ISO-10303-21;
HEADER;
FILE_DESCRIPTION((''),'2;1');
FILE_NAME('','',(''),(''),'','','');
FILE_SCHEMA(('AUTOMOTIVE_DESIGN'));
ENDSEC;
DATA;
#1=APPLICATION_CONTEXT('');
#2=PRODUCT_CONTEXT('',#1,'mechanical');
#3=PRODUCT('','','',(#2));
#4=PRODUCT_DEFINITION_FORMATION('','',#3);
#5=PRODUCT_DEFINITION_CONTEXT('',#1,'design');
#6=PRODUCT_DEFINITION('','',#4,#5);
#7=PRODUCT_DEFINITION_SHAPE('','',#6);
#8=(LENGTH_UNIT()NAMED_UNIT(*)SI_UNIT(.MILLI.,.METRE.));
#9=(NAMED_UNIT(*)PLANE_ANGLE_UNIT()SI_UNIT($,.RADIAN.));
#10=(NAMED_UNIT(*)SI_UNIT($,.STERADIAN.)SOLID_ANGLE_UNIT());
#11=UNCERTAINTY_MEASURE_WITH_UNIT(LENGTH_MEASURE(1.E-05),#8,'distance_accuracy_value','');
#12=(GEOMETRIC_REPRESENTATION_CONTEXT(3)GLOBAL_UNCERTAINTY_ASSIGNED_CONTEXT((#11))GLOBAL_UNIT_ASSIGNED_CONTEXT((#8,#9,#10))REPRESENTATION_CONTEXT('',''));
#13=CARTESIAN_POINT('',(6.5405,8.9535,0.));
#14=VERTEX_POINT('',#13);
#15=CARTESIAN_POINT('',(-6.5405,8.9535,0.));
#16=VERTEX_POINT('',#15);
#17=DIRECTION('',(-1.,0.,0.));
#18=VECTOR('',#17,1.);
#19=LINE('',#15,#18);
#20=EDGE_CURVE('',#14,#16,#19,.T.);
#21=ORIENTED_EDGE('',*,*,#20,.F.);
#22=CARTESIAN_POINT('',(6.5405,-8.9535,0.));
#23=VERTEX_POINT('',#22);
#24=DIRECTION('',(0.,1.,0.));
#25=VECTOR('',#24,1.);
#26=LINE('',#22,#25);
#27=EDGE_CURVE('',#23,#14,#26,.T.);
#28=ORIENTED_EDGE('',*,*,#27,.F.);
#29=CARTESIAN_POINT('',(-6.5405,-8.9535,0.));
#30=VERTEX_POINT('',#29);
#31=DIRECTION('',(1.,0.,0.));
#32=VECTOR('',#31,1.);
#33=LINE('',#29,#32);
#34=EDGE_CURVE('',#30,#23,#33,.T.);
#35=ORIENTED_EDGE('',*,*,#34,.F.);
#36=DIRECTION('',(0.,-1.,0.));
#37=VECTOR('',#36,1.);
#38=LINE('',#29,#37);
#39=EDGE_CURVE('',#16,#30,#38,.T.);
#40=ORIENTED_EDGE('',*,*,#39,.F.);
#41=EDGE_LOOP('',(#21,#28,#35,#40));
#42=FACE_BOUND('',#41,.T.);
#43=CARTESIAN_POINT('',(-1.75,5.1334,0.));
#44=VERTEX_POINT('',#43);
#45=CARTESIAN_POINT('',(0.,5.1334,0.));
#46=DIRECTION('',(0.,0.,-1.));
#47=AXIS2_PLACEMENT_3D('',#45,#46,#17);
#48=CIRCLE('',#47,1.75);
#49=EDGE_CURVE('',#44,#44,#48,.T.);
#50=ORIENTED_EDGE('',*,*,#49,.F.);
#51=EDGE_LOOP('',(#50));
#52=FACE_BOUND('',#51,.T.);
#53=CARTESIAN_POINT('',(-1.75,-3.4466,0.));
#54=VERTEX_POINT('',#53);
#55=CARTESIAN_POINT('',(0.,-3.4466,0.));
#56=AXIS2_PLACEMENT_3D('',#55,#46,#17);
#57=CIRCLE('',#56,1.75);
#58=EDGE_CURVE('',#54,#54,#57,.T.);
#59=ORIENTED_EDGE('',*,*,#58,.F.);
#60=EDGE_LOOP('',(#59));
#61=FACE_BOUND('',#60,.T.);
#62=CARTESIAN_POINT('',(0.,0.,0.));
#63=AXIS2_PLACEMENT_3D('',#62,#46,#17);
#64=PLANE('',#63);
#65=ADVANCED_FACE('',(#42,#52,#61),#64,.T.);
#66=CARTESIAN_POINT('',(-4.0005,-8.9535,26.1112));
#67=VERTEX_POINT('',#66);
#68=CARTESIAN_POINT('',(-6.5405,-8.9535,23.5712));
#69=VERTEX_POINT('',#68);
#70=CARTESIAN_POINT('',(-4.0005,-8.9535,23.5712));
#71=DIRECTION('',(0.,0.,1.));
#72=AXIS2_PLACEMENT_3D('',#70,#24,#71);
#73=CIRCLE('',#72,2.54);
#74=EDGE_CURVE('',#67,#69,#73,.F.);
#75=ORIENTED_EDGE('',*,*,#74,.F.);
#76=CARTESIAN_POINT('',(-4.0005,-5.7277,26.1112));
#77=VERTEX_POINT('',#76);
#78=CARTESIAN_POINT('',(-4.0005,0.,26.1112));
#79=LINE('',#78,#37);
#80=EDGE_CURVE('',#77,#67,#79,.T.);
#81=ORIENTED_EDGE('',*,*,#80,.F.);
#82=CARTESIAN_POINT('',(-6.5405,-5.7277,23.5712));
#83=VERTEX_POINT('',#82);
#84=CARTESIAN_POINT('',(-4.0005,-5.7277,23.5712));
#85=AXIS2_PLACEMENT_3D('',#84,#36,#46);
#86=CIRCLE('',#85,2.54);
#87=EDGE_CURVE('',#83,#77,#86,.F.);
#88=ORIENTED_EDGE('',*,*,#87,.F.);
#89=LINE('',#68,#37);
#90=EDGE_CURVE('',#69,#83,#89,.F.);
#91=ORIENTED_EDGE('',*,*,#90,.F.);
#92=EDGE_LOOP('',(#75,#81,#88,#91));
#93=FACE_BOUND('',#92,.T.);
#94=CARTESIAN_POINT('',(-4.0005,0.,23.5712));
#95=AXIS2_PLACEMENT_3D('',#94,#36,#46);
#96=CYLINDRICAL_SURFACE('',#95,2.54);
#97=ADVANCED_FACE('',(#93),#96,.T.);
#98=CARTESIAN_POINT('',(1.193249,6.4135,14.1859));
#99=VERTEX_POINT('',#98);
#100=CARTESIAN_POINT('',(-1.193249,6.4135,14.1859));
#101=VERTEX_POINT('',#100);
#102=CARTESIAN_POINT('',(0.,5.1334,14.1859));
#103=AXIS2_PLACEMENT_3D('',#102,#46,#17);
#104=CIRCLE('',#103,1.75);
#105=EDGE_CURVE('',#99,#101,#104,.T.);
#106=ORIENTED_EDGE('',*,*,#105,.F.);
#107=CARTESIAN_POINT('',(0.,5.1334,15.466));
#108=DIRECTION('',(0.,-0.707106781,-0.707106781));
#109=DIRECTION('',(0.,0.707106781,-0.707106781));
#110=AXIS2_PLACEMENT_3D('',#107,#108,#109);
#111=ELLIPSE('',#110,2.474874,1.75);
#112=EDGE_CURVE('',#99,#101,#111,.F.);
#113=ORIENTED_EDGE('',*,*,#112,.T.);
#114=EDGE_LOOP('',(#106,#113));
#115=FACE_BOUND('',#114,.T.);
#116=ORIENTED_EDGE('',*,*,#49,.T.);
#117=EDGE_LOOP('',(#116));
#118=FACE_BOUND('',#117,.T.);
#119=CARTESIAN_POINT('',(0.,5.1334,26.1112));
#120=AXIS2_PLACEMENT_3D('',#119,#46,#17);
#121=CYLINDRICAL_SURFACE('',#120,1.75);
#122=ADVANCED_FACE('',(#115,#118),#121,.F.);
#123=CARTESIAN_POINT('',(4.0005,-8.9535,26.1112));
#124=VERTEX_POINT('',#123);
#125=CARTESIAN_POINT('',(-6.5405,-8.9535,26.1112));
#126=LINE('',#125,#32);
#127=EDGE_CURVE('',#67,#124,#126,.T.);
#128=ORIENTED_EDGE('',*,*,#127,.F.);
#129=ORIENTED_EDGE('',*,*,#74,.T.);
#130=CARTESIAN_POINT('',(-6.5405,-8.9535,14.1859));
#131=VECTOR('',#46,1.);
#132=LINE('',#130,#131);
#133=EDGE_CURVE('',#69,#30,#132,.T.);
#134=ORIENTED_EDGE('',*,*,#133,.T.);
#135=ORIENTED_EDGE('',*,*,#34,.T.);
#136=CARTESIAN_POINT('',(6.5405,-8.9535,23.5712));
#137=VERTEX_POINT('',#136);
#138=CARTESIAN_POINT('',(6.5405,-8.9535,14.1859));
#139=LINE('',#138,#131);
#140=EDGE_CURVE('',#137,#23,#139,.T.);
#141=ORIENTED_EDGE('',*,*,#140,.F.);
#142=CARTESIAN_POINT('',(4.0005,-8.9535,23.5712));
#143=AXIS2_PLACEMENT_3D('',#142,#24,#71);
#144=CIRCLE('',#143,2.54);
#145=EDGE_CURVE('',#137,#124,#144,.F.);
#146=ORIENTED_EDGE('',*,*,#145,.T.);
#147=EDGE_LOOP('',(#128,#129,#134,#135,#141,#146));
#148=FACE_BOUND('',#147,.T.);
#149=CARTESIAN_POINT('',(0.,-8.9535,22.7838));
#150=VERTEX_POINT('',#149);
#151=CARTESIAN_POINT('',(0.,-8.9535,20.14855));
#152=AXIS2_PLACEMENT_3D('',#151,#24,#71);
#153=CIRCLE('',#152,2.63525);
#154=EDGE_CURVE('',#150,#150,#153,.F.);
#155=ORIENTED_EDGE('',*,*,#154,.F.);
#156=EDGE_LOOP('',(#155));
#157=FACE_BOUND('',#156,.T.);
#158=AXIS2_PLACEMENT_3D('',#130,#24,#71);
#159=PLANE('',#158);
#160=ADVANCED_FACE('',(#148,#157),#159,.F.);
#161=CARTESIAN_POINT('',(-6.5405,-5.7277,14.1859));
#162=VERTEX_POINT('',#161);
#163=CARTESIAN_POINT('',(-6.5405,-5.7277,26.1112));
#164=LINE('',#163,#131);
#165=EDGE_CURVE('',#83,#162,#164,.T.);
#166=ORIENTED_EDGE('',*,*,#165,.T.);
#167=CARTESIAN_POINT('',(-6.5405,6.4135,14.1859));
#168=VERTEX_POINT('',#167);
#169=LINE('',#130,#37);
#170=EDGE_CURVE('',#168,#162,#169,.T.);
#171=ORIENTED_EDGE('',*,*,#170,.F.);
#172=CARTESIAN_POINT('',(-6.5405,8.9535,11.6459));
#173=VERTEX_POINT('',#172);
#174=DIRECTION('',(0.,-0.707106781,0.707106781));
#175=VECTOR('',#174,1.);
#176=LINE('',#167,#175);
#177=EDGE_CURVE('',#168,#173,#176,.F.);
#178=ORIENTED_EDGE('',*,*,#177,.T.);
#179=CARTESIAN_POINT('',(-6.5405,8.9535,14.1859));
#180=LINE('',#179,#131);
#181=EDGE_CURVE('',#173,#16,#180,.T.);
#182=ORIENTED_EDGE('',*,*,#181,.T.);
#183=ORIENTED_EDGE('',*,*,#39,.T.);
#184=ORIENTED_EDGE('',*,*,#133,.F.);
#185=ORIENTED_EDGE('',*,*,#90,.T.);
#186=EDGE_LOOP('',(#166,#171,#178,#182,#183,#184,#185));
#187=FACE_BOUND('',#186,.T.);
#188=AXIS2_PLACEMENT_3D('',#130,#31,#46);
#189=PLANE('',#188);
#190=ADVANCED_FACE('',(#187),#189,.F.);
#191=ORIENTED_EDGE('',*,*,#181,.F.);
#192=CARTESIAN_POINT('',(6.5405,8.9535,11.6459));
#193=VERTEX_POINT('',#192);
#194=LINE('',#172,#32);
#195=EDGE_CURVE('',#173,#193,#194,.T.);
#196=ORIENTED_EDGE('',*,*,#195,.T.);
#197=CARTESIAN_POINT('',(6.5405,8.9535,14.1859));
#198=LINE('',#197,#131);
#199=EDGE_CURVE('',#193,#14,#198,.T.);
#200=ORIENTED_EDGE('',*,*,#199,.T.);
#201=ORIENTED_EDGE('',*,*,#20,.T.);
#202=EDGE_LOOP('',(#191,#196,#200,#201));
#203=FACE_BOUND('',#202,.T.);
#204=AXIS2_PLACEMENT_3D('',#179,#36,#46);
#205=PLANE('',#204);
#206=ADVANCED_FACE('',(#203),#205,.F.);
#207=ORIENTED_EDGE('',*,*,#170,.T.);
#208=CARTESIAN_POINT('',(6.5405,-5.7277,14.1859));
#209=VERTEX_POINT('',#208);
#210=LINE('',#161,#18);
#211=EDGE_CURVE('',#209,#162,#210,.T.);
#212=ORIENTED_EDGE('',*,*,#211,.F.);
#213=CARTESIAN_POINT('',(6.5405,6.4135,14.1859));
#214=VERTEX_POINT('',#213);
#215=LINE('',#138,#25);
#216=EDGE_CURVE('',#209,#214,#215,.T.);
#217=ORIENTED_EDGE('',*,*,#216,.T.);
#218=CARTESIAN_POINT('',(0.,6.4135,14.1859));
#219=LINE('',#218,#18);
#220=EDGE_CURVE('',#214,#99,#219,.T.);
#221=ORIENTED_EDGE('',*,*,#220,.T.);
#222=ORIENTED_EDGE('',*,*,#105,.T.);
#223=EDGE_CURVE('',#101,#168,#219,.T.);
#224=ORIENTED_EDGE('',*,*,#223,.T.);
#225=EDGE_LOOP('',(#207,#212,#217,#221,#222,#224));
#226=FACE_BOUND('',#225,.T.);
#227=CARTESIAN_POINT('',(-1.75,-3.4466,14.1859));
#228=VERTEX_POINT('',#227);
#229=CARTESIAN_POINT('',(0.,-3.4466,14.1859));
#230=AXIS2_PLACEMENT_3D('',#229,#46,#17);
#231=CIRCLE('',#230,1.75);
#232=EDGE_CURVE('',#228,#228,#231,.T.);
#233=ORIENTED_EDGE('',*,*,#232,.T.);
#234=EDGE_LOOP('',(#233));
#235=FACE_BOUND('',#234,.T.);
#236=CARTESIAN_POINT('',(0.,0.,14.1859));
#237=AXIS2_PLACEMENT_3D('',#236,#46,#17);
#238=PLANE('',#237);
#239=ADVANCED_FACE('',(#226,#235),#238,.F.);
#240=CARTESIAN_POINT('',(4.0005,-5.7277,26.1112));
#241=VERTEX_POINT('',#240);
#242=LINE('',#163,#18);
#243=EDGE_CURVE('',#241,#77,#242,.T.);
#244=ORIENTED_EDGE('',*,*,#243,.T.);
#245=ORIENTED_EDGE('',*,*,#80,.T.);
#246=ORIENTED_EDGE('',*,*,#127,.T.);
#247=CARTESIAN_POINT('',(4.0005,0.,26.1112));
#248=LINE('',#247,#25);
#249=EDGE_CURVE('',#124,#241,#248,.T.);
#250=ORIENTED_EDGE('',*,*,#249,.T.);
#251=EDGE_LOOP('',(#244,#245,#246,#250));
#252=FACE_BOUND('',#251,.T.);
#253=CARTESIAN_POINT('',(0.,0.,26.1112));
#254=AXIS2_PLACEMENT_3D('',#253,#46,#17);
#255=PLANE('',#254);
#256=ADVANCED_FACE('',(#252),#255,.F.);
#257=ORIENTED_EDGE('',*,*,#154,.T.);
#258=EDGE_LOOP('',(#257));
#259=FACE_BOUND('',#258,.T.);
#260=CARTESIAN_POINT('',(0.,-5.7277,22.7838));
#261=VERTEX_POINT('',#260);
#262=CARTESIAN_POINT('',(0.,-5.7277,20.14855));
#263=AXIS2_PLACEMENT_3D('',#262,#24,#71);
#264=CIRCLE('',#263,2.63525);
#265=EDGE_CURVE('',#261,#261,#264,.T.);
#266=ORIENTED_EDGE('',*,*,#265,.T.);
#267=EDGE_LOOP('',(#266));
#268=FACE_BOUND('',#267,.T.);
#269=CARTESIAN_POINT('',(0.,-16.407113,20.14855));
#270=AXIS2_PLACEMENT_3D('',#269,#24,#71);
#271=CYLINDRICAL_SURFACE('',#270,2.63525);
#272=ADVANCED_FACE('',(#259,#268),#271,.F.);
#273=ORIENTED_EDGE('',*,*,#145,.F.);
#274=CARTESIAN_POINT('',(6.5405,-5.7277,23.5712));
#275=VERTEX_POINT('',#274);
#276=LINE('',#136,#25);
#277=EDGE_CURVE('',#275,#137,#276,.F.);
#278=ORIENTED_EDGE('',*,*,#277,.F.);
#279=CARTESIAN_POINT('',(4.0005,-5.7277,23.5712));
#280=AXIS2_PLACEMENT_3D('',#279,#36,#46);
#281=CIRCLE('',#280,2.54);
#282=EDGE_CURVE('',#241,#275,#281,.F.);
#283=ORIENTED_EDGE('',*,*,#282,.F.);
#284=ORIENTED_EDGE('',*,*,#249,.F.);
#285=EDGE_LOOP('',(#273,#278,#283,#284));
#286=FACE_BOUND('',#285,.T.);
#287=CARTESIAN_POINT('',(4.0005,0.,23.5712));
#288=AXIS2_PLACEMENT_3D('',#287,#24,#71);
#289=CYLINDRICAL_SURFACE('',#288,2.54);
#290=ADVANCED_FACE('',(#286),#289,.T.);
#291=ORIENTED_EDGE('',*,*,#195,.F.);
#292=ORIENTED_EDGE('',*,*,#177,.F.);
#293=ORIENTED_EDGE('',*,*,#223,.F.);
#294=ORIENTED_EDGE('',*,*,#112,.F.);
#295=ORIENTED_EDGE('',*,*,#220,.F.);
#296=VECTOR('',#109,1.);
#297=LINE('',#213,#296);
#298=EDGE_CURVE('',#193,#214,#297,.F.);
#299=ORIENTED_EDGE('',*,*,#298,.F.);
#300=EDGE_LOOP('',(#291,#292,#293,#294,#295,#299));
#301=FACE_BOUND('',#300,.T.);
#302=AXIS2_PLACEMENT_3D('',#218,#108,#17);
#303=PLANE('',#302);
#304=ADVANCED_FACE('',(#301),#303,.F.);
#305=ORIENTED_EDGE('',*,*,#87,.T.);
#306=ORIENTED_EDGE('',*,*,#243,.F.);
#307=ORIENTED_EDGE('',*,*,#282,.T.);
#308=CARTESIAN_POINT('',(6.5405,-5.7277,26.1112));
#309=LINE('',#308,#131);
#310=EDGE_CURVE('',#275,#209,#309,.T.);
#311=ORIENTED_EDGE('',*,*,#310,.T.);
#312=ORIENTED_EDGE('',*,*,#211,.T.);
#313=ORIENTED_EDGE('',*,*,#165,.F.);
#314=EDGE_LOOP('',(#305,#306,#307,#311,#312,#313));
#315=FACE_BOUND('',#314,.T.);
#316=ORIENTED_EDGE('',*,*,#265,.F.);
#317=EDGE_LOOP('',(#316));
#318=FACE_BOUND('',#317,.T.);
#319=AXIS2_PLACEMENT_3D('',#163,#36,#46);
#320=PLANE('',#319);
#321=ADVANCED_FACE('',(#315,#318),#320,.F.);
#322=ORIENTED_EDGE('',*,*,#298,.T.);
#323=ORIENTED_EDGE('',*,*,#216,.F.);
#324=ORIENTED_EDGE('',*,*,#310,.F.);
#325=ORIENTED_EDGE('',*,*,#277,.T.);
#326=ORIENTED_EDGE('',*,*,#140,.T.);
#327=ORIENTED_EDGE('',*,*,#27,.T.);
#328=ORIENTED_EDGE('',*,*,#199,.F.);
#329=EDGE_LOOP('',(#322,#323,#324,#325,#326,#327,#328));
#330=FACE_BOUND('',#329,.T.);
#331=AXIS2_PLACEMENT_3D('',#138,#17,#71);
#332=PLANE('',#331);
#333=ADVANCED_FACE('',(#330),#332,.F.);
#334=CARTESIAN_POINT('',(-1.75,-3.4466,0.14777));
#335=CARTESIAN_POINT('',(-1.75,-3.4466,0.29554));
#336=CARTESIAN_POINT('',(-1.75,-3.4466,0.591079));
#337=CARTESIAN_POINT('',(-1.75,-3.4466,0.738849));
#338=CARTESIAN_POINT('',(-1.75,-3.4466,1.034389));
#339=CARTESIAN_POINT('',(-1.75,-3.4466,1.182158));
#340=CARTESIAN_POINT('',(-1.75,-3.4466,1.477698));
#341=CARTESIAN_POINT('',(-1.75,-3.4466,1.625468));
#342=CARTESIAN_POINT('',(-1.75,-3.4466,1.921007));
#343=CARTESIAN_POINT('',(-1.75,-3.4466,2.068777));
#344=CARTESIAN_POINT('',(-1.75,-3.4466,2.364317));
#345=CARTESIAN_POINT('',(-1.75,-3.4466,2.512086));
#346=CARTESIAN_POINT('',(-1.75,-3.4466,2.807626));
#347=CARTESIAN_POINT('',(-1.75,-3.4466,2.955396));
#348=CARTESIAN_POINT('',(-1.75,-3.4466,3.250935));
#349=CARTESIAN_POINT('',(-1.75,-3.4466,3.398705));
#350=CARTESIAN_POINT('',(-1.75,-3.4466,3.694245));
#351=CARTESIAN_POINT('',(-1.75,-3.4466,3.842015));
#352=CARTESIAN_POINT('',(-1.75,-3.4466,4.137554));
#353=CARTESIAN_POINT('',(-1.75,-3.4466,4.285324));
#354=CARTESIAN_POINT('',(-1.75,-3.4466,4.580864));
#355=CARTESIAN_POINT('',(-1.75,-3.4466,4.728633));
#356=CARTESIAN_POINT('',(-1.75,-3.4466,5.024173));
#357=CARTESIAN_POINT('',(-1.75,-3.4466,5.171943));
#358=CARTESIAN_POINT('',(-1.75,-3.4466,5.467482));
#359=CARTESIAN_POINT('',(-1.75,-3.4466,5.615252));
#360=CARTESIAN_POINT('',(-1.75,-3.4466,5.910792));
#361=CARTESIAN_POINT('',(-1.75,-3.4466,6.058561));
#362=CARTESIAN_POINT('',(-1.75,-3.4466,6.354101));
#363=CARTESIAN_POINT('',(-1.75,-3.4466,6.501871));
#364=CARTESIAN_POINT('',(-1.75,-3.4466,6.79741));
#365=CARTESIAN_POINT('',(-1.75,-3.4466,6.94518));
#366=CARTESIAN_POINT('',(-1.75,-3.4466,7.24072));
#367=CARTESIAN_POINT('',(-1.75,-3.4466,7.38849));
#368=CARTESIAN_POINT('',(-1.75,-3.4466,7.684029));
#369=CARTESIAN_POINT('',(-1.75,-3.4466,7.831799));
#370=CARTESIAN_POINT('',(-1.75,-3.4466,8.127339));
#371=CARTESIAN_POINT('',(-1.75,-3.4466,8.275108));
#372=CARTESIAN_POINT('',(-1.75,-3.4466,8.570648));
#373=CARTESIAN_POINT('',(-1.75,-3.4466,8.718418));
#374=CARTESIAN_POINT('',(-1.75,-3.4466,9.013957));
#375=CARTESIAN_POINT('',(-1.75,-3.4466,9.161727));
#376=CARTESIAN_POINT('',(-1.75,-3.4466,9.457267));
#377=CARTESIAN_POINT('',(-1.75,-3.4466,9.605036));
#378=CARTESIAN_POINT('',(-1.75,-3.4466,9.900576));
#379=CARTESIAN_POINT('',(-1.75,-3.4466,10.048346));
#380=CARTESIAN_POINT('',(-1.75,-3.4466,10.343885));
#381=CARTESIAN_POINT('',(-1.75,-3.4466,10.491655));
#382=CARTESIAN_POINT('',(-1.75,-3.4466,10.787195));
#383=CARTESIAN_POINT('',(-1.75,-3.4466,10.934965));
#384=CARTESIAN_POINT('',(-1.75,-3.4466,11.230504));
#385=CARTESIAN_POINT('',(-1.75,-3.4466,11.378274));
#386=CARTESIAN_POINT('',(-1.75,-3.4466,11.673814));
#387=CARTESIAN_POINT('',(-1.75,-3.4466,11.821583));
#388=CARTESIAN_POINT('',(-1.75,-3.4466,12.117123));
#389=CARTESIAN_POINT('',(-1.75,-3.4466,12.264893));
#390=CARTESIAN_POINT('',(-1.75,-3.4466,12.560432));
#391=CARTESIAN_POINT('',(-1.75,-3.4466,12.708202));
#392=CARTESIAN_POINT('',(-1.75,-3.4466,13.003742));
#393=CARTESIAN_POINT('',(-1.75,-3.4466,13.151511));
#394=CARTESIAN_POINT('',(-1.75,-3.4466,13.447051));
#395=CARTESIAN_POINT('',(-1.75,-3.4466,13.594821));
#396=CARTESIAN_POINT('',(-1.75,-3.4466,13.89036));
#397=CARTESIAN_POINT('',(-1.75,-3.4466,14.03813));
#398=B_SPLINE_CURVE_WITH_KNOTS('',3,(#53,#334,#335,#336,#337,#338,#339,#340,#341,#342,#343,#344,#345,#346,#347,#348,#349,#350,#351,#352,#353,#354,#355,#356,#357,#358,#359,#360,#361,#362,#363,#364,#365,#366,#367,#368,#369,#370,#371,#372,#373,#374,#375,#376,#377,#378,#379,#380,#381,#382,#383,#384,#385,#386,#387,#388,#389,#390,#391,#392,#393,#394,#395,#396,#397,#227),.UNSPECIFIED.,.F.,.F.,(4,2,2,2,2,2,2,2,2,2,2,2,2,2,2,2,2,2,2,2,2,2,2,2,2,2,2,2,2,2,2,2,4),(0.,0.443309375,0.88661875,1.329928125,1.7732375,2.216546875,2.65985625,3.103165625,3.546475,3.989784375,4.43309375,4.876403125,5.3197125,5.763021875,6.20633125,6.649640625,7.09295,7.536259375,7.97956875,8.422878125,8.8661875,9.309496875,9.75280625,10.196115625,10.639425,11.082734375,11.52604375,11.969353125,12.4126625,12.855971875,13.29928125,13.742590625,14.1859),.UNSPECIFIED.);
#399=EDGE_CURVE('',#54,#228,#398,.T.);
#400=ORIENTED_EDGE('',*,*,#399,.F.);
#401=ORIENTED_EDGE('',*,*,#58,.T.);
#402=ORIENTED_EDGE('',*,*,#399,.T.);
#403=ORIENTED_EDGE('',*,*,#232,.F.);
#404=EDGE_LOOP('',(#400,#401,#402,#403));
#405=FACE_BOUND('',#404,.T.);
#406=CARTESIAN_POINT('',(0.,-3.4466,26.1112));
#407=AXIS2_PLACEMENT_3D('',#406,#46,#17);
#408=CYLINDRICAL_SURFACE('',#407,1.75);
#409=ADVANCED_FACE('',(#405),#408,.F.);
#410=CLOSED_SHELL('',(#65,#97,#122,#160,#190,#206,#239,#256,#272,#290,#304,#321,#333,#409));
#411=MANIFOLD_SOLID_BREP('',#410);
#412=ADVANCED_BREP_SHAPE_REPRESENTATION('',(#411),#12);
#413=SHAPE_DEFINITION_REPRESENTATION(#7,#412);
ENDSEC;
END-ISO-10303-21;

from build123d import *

# Parameters (mm, degrees)
SKETCH1_W           = 13.081
SKETCH1_H           = 17.907
BOSS_EXTRUDE1_DEPTH = 14.1859
SKETCH2_W           = 13.081
SKETCH2_H           = 3.2258
BOSS_EXTRUDE2_DEPTH = 11.9253
CHAMFER1_SIZE       = 2.54
FILLET1_R           = 2.54
SKETCH3_R           = 2.63525
CUT_EXTRUDE1_DEPTH  = 3.2258
SKETCH4_R           = 1.75
CUT_EXTRUDE2_DEPTH  = 29.367905597


with BuildPart() as part:
    # Sketch1 → Boss-Extrude1 (new body)
    with BuildSketch(Plane.XY):
        Rectangle(SKETCH1_W, SKETCH1_H)
    extrude(amount=BOSS_EXTRUDE1_DEPTH)

    # Sketch2 → Boss-Extrude2 (add)
    with BuildSketch(Plane.XY.offset(14.1859)):
        with Locations((0, -7.3406)):
            Rectangle(SKETCH2_W, SKETCH2_H)
    extrude(amount=BOSS_EXTRUDE2_DEPTH)

    # Chamfer1
    chamfer1_edges = [part.edges().sort_by_distance(p)[0] for p in [
        (0, 8.9535, 14.1859),
    ]]
    chamfer(chamfer1_edges, length=CHAMFER1_SIZE)

    # Fillet1
    fillet1_edges = [part.edges().sort_by_distance(p)[0] for p in [
        (-6.5405, -7.3406, 26.1112),
        (6.5405, -7.3406, 26.1112),
    ]]
    fillet(fillet1_edges, radius=FILLET1_R)

    # Sketch3 → Cut-Extrude1 (cut)
    with BuildSketch(Plane(origin=(0, -5.7277, 0), x_dir=(1, 0, 0), z_dir=(0, 1, 0))):
        with Locations(Location((0, -20.14855, 0), (0, 0, 270))):
            Circle(SKETCH3_R)
    extrude(amount=-CUT_EXTRUDE1_DEPTH, mode=Mode.SUBTRACT)

    # Sketch4 → Cut-Extrude2 (cut, through all)
    with BuildSketch(Plane(origin=(0, 0, 0), x_dir=(-1, 0, 0), z_dir=(0, 0, -1))):
        with Locations((0, 5.1334)):
            Circle(SKETCH4_R)
        with Locations((0, -3.4466)):
            Circle(SKETCH4_R)
    extrude(amount=-CUT_EXTRUDE2_DEPTH, mode=Mode.SUBTRACT)


solid = part.part
